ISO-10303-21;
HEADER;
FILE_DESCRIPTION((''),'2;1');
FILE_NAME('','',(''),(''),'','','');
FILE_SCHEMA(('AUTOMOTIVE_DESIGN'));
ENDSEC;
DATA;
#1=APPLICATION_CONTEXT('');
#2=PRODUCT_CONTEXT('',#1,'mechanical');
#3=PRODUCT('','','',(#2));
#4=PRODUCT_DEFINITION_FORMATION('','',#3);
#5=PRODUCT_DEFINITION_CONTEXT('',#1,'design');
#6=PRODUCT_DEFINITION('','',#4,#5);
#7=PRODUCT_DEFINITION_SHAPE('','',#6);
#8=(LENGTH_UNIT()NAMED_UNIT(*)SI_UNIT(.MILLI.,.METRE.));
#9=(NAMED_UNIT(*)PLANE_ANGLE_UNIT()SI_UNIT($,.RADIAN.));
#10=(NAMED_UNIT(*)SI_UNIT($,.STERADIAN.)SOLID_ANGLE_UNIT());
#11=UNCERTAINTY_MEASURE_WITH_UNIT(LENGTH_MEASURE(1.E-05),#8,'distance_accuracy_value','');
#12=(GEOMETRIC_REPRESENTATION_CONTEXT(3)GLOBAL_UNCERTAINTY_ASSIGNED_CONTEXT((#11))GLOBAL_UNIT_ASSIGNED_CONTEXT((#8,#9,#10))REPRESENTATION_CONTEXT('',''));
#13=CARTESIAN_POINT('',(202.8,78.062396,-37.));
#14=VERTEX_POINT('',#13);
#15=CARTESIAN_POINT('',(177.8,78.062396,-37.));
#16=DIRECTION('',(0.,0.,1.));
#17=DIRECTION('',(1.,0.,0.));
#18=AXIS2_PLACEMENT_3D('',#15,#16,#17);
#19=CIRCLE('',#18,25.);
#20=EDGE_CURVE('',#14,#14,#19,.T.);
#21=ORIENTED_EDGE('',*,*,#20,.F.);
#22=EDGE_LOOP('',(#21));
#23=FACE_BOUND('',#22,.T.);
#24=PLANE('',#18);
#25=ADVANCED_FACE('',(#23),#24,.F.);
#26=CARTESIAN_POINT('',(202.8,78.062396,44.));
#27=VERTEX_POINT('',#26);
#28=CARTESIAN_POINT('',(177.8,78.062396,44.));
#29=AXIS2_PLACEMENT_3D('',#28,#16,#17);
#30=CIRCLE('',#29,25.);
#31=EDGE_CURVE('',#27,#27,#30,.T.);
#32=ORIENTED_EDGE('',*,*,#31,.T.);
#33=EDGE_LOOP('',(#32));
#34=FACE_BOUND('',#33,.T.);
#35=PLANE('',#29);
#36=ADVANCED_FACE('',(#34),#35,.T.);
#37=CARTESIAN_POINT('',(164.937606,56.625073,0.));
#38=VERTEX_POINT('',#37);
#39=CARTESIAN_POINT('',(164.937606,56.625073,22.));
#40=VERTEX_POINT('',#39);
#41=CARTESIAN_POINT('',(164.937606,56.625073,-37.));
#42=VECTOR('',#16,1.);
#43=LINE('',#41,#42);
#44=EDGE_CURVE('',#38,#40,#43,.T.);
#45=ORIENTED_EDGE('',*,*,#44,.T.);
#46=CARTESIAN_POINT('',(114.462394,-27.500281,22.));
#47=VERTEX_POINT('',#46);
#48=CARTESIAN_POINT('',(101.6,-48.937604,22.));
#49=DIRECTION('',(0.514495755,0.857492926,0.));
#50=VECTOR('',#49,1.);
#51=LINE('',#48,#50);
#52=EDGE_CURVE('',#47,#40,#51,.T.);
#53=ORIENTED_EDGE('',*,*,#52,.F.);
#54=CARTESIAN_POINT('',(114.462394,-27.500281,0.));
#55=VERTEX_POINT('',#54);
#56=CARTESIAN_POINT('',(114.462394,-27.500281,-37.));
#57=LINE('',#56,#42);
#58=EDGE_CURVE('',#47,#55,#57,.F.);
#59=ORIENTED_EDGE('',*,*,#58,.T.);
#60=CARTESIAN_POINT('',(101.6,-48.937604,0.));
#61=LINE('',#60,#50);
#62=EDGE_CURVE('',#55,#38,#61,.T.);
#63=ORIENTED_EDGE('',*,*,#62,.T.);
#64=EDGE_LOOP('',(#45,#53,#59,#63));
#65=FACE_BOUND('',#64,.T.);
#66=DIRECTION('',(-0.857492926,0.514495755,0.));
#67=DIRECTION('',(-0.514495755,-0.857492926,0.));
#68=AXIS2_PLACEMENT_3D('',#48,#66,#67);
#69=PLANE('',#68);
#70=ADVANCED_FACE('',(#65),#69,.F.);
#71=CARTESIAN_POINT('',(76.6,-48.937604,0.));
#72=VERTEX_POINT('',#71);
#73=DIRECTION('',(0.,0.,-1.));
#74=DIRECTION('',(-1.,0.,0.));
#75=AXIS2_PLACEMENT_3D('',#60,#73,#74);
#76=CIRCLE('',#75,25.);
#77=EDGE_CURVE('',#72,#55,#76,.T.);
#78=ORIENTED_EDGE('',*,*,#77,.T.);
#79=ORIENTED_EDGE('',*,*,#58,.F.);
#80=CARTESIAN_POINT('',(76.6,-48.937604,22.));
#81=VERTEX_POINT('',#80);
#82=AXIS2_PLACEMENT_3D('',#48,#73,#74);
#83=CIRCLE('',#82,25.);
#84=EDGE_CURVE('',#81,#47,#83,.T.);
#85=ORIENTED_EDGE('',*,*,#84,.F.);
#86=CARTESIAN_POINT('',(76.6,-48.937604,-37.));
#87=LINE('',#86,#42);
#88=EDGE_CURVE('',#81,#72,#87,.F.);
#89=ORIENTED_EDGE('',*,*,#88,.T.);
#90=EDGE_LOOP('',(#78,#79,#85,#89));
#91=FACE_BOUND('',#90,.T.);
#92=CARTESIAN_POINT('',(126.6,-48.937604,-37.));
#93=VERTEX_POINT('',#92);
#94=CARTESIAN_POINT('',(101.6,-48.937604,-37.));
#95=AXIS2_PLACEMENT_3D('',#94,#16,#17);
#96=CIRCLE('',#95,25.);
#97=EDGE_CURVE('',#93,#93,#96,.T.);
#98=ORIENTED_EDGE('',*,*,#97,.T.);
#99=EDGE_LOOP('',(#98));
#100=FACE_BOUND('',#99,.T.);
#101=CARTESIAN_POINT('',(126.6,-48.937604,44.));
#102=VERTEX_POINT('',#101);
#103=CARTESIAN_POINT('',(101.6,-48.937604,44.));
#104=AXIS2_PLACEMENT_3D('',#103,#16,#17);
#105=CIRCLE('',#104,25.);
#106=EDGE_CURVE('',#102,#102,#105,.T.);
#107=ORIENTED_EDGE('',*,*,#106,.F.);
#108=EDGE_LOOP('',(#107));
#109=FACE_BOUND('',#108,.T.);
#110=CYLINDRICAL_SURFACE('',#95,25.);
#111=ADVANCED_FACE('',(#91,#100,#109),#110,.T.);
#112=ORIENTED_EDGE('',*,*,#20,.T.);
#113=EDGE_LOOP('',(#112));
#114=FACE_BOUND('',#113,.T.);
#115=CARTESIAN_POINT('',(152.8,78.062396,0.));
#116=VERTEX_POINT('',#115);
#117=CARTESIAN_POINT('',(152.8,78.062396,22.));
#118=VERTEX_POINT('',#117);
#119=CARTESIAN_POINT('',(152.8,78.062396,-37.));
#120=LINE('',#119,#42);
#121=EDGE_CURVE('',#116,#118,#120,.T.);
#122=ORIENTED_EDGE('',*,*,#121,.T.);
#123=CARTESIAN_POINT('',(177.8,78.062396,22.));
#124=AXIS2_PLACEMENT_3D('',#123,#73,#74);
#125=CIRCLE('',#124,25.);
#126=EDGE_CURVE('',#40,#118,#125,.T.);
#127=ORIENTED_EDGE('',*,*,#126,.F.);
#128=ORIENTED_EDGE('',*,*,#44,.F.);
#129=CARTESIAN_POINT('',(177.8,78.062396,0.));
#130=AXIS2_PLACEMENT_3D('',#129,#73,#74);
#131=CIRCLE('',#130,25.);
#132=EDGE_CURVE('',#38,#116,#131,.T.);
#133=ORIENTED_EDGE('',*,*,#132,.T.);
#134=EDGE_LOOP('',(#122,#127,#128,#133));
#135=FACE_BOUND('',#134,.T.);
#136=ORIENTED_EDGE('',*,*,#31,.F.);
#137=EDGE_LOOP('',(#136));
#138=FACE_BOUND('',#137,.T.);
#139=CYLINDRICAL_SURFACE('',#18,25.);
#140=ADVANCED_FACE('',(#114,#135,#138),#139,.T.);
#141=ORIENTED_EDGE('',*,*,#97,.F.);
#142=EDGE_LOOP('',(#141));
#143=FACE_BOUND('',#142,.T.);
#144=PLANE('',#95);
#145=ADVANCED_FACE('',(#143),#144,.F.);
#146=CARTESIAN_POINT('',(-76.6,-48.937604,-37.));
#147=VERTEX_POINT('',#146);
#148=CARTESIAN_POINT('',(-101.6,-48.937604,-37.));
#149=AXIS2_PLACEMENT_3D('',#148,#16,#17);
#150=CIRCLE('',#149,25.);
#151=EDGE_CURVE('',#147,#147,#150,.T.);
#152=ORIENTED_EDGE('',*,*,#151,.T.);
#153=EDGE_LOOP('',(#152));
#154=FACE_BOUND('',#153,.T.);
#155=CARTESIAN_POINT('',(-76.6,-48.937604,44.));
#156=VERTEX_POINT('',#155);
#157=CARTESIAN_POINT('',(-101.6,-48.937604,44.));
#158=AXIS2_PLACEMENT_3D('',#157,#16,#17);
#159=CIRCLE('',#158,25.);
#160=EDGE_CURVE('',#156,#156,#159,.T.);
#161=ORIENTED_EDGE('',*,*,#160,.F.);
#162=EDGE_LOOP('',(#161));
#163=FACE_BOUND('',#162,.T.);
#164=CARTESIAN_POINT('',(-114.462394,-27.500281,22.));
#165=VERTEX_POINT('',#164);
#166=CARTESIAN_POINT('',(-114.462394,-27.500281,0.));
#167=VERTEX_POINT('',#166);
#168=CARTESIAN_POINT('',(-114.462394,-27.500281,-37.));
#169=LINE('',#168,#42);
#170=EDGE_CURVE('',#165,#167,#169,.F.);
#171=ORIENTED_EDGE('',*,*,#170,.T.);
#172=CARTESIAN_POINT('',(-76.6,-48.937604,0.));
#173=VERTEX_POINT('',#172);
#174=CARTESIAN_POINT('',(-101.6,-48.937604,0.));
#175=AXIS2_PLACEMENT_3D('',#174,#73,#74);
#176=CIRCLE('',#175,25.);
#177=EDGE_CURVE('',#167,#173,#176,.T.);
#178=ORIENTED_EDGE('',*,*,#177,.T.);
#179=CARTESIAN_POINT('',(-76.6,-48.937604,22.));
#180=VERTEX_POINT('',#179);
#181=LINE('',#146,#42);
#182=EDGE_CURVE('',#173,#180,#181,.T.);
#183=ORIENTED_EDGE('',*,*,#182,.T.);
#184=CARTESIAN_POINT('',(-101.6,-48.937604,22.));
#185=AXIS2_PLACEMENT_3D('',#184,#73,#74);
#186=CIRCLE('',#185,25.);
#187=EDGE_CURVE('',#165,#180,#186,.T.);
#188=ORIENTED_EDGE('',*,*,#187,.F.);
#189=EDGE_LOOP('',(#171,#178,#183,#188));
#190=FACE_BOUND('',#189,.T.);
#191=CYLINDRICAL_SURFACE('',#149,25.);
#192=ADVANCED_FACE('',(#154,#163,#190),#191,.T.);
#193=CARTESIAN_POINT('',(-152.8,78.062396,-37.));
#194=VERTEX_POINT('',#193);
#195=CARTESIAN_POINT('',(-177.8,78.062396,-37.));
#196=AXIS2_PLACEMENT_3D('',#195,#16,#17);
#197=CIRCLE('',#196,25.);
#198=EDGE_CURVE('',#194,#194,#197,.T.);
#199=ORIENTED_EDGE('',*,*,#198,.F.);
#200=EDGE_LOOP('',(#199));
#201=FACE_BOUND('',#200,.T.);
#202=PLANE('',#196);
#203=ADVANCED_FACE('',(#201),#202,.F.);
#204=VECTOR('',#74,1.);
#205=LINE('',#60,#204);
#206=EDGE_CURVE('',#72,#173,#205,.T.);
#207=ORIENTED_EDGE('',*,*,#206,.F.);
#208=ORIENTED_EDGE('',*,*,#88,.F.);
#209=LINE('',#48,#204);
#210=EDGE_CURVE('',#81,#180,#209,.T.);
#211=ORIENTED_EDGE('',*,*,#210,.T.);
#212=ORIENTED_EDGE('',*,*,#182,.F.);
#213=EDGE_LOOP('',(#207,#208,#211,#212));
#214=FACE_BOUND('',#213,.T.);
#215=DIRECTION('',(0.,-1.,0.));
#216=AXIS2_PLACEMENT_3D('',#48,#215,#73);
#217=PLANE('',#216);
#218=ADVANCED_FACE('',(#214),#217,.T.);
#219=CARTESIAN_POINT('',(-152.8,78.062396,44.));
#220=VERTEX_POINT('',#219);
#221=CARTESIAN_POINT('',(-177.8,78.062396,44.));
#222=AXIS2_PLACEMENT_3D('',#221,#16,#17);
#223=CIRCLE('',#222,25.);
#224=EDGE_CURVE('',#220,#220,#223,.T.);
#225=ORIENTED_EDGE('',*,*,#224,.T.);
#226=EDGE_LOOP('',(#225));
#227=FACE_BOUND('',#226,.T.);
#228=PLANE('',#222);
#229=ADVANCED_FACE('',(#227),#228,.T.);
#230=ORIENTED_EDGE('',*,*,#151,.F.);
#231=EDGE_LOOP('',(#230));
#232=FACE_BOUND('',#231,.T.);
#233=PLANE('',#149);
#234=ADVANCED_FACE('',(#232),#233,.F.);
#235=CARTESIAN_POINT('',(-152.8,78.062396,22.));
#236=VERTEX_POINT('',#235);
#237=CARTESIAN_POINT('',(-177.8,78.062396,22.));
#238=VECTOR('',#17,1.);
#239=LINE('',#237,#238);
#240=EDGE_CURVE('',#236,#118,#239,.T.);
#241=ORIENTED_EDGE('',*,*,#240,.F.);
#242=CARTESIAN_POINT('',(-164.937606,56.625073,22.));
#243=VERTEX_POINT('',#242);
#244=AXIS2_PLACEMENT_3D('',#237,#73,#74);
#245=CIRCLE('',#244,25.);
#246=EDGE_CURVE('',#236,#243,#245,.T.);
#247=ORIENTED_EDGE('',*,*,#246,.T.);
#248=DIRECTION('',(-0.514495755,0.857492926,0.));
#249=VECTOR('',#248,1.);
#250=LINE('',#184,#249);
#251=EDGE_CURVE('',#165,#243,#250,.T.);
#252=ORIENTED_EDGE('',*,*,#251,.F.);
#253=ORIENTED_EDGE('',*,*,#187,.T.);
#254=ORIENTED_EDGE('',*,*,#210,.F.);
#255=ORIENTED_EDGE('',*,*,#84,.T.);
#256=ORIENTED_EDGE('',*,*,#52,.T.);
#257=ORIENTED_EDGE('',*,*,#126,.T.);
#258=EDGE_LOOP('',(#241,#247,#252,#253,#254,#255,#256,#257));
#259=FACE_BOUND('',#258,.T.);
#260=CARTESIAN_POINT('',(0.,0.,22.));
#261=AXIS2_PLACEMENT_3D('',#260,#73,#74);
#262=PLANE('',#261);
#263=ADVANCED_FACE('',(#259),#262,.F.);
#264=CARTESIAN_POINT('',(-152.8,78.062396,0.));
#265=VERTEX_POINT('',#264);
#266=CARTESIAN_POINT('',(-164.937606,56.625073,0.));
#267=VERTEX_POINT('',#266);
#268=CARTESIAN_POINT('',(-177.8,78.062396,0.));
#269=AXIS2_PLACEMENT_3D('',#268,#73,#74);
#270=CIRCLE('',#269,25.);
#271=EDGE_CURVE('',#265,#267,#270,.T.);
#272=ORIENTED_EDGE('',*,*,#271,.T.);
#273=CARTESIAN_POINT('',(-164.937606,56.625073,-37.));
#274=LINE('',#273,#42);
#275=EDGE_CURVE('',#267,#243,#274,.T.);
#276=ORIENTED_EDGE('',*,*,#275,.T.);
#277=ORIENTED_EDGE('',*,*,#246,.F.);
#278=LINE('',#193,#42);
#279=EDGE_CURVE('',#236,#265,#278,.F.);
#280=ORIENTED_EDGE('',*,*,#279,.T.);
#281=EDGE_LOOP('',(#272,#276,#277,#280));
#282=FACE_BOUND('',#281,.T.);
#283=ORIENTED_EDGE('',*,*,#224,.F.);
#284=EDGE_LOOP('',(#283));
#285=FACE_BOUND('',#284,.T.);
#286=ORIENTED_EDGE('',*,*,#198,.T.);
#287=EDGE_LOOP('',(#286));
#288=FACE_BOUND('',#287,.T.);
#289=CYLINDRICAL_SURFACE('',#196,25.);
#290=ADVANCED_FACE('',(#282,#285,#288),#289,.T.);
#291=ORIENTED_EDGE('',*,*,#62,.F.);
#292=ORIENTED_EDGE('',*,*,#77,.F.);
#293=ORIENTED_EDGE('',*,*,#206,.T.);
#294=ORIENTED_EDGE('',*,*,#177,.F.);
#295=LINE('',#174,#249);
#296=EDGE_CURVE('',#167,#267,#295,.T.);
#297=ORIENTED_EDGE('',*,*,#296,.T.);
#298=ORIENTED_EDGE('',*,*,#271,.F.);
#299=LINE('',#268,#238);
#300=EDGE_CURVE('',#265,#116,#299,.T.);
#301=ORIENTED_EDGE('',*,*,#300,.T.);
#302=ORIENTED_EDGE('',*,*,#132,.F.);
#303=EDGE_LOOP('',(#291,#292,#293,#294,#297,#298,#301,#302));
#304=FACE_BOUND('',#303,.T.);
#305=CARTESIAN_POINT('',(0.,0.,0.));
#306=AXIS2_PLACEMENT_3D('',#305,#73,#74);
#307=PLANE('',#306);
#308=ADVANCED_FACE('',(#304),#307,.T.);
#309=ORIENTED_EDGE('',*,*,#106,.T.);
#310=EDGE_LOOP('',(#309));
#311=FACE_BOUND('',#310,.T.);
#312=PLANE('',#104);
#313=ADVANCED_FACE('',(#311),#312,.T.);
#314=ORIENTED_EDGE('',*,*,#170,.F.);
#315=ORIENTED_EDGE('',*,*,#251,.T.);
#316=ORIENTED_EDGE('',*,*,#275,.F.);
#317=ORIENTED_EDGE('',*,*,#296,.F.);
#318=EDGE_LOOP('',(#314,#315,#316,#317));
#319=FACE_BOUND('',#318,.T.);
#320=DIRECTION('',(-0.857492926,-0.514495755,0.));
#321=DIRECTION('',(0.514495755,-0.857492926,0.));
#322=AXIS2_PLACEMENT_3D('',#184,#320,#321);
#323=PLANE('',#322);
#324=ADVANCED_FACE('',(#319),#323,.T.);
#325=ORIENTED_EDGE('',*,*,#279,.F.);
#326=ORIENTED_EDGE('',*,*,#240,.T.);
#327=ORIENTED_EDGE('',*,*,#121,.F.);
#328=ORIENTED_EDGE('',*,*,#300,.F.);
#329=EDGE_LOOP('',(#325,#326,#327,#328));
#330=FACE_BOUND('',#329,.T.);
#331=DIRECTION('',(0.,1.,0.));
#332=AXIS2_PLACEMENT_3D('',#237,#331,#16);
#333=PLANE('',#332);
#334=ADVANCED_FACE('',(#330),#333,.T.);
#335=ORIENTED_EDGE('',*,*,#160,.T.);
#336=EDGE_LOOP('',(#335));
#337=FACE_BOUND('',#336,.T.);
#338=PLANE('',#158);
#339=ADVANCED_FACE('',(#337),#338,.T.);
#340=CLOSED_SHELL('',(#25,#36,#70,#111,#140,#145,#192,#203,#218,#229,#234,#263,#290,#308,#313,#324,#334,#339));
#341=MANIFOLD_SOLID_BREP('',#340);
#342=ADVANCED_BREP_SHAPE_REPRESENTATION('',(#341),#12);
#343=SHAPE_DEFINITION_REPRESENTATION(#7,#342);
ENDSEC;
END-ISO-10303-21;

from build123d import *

# Parameters (mm, degrees)
BOSS_EXTRUDE1_DEPTH      = 22
BOSS_EXTRUDE2_DEPTH      = 44
BOSS_EXTRUDE2_DEPTH_BACK = 37
SKETCH1_3_R              = 25


with BuildPart() as part:
    # Sketch1 → Boss-Extrude1 (new body)
    with BuildSketch(Plane.XY):
        Polygon((-177.8, 78.062396106), (177.8, 78.062396106), (101.6, -48.937603894), (-101.6, -48.937603894), align=None)
    extrude(amount=BOSS_EXTRUDE1_DEPTH)

    # Sketch1<3> → Boss-Extrude2 (add, two sides: drawn at the far end of the back side and taken through both)
    with BuildSketch(Plane.XY.offset(-BOSS_EXTRUDE2_DEPTH_BACK)):
        with Locations((177.8, 78.062396106)):
            Circle(SKETCH1_3_R)
        with Locations((101.6, -48.937603894)):
            Circle(SKETCH1_3_R)
        with Locations((-101.6, -48.937603894)):
            Circle(SKETCH1_3_R)
        with Locations((-177.8, 78.062396106)):
            Circle(SKETCH1_3_R)
    extrude(amount=BOSS_EXTRUDE2_DEPTH + BOSS_EXTRUDE2_DEPTH_BACK)


solid = part.part
